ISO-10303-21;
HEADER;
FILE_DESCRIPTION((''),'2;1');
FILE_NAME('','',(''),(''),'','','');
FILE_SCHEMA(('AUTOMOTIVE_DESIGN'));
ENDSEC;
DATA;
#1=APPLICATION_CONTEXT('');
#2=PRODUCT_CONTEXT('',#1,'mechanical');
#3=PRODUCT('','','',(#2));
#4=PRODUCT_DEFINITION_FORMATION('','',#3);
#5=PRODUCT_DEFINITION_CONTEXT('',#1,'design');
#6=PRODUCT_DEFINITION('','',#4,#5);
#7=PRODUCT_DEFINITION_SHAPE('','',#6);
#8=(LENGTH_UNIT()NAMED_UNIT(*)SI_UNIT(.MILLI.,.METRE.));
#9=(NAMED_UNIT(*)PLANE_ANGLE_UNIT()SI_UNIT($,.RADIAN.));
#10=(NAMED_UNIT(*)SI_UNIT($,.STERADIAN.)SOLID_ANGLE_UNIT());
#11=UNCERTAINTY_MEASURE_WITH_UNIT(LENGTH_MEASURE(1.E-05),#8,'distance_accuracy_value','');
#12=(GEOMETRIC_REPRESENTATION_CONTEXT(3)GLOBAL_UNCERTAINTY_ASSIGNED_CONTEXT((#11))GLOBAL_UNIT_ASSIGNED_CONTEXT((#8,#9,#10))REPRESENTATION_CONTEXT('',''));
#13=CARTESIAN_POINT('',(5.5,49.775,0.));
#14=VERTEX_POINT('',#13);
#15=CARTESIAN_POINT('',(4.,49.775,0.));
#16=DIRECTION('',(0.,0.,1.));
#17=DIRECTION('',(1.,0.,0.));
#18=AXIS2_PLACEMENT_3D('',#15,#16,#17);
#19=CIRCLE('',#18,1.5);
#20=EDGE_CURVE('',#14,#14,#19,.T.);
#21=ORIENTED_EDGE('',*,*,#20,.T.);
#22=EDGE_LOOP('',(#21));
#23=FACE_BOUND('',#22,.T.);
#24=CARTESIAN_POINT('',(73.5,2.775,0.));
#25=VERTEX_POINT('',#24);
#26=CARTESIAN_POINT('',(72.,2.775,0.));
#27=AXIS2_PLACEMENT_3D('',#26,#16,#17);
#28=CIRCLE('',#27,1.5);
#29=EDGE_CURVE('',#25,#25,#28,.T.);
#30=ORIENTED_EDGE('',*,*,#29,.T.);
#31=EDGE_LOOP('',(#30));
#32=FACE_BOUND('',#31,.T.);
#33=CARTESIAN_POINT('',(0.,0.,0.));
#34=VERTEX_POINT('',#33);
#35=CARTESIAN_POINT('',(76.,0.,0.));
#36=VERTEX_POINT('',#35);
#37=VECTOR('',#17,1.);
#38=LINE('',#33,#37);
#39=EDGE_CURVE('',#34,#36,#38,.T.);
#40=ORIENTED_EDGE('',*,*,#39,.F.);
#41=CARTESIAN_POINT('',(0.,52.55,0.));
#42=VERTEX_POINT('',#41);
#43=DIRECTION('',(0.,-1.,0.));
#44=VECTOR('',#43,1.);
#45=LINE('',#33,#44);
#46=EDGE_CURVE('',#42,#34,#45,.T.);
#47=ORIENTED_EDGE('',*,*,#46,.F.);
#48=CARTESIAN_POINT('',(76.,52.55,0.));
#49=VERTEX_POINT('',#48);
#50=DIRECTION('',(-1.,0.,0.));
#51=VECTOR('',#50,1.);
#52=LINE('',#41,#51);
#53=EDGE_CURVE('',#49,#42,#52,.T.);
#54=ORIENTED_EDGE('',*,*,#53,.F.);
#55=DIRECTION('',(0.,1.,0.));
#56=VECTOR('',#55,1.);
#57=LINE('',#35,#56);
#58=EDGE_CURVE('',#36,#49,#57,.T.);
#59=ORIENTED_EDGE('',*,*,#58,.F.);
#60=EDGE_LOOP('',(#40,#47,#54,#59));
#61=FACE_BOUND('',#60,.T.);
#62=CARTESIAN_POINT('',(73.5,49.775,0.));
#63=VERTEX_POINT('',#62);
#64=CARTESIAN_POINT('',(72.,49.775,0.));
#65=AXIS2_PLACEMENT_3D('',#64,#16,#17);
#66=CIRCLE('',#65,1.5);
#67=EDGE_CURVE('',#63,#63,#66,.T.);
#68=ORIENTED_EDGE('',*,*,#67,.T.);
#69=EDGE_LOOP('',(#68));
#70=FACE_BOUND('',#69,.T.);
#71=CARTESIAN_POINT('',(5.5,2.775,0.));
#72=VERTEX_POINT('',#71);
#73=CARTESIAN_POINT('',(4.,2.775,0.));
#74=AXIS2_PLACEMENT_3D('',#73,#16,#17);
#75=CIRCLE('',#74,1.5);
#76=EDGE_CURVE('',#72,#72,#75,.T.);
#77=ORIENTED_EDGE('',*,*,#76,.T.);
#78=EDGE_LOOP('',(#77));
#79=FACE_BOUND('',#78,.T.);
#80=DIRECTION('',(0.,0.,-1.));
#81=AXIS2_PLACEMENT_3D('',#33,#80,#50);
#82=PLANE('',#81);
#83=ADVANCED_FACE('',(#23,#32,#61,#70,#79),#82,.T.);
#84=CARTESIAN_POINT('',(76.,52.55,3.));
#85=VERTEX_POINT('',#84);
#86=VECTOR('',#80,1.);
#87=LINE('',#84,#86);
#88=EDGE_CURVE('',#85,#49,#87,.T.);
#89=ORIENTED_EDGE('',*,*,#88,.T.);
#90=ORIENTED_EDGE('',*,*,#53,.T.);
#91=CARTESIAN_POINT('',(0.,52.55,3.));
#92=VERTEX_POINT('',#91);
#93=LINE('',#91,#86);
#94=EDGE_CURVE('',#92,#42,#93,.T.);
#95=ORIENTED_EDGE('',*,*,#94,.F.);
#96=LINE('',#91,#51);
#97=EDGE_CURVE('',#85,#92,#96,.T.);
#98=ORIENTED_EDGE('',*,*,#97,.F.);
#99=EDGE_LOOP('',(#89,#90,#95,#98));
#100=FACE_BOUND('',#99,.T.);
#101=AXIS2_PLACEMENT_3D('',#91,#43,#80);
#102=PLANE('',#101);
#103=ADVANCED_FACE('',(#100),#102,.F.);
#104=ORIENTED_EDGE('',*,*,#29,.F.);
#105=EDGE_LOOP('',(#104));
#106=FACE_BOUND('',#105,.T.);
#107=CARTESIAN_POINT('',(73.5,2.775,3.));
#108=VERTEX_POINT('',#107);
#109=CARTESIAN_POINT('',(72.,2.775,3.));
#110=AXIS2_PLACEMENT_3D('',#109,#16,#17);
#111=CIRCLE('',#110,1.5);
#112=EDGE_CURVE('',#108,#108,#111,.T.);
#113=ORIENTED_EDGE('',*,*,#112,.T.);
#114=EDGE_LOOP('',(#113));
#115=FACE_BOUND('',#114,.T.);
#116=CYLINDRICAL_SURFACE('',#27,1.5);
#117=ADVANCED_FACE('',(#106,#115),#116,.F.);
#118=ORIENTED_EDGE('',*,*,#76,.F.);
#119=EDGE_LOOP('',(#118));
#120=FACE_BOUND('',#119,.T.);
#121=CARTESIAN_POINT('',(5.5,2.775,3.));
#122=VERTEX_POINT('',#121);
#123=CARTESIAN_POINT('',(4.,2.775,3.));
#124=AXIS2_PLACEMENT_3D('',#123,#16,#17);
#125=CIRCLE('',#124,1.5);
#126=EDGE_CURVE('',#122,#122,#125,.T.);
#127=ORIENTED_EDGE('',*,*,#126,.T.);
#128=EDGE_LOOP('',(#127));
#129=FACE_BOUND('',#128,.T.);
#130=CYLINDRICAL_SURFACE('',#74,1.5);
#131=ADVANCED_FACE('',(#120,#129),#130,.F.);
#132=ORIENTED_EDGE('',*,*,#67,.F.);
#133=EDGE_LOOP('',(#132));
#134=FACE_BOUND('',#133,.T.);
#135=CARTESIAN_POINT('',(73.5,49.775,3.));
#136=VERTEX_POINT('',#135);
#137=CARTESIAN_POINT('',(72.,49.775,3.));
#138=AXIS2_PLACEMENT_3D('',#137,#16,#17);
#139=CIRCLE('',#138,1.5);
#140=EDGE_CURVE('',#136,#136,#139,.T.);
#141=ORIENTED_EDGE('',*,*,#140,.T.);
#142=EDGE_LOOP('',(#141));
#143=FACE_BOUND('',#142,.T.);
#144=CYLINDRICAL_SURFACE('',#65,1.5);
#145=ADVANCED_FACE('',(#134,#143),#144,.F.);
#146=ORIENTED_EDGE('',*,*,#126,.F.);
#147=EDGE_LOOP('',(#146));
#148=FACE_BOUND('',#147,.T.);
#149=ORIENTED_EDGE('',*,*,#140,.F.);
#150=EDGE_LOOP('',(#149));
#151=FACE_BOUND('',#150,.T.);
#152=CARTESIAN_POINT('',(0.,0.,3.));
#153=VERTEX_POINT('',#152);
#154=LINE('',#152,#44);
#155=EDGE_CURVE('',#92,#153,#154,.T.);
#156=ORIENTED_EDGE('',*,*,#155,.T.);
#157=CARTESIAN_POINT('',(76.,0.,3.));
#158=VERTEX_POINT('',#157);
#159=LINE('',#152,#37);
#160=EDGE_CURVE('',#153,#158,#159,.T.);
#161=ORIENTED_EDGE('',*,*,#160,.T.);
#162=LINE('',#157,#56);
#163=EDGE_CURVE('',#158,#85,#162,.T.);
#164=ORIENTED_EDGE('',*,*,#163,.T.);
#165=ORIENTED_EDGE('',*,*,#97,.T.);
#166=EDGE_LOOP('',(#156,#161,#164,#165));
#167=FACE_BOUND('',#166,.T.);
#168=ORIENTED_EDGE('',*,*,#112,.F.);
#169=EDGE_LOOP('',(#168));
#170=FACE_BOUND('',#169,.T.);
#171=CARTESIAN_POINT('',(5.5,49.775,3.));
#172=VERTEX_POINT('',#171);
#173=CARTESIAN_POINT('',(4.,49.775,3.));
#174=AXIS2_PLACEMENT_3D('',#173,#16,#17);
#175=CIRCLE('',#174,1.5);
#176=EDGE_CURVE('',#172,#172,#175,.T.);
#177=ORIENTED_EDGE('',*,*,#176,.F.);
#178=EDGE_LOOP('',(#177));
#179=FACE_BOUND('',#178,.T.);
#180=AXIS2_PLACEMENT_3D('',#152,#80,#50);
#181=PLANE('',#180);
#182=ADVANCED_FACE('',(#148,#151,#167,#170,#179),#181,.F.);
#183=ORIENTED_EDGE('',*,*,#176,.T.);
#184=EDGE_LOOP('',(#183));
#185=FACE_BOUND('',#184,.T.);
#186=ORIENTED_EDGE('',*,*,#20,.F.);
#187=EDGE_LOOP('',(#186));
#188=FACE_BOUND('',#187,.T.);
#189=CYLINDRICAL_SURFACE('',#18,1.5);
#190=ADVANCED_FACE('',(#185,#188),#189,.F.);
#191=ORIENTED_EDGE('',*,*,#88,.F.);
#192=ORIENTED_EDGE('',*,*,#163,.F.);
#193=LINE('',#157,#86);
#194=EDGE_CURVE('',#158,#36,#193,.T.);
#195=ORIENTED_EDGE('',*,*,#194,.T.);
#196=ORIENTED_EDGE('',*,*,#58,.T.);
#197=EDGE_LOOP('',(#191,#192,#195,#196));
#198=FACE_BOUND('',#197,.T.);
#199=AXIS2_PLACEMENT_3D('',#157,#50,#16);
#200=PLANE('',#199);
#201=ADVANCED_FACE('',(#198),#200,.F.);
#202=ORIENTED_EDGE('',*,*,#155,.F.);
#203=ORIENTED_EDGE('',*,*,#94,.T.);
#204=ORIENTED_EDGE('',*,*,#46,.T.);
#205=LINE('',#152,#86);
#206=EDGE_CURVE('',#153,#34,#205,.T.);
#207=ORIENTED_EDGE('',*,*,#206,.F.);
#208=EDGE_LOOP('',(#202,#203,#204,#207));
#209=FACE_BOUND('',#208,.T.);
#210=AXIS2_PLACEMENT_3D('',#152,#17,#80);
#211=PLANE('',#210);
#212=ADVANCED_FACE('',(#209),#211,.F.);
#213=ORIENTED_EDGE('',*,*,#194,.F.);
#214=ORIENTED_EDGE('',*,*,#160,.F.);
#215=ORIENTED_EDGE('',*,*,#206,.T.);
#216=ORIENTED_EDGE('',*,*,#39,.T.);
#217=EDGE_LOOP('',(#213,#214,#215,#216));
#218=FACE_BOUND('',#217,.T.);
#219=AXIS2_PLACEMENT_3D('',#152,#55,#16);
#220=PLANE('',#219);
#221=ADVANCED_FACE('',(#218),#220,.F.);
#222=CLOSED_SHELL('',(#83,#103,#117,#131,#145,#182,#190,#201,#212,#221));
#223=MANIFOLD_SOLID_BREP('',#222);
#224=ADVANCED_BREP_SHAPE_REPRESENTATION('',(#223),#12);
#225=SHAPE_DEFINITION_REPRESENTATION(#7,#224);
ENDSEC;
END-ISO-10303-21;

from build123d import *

# Parameters (mm, degrees)
SKETCH1_W           = 76
SKETCH1_H           = 52.55
BOSS_EXTRUDE1_DEPTH = 3
SKETCH2_R           = 1.5
CUT_EXTRUDE1_DEPTH  = 4


with BuildPart() as part:
    # Sketch1 → Boss-Extrude1 (new body)
    with BuildSketch(Plane.XY):
        with Locations((38, 26.275)):
            Rectangle(SKETCH1_W, SKETCH1_H)
    extrude(amount=BOSS_EXTRUDE1_DEPTH)

    # Sketch2 → Cut-Extrude1 (cut, through all)
    with BuildSketch(Plane.XY.offset(3)):
        with Locations((4, 49.775)):
            Circle(SKETCH2_R)
        with Locations((72, 49.775)):
            Circle(SKETCH2_R)
        with Locations((72, 2.775)):
            Circle(SKETCH2_R)
        with Locations((4, 2.775)):
            Circle(SKETCH2_R)
    extrude(amount=-CUT_EXTRUDE1_DEPTH, mode=Mode.SUBTRACT)


solid = part.part
